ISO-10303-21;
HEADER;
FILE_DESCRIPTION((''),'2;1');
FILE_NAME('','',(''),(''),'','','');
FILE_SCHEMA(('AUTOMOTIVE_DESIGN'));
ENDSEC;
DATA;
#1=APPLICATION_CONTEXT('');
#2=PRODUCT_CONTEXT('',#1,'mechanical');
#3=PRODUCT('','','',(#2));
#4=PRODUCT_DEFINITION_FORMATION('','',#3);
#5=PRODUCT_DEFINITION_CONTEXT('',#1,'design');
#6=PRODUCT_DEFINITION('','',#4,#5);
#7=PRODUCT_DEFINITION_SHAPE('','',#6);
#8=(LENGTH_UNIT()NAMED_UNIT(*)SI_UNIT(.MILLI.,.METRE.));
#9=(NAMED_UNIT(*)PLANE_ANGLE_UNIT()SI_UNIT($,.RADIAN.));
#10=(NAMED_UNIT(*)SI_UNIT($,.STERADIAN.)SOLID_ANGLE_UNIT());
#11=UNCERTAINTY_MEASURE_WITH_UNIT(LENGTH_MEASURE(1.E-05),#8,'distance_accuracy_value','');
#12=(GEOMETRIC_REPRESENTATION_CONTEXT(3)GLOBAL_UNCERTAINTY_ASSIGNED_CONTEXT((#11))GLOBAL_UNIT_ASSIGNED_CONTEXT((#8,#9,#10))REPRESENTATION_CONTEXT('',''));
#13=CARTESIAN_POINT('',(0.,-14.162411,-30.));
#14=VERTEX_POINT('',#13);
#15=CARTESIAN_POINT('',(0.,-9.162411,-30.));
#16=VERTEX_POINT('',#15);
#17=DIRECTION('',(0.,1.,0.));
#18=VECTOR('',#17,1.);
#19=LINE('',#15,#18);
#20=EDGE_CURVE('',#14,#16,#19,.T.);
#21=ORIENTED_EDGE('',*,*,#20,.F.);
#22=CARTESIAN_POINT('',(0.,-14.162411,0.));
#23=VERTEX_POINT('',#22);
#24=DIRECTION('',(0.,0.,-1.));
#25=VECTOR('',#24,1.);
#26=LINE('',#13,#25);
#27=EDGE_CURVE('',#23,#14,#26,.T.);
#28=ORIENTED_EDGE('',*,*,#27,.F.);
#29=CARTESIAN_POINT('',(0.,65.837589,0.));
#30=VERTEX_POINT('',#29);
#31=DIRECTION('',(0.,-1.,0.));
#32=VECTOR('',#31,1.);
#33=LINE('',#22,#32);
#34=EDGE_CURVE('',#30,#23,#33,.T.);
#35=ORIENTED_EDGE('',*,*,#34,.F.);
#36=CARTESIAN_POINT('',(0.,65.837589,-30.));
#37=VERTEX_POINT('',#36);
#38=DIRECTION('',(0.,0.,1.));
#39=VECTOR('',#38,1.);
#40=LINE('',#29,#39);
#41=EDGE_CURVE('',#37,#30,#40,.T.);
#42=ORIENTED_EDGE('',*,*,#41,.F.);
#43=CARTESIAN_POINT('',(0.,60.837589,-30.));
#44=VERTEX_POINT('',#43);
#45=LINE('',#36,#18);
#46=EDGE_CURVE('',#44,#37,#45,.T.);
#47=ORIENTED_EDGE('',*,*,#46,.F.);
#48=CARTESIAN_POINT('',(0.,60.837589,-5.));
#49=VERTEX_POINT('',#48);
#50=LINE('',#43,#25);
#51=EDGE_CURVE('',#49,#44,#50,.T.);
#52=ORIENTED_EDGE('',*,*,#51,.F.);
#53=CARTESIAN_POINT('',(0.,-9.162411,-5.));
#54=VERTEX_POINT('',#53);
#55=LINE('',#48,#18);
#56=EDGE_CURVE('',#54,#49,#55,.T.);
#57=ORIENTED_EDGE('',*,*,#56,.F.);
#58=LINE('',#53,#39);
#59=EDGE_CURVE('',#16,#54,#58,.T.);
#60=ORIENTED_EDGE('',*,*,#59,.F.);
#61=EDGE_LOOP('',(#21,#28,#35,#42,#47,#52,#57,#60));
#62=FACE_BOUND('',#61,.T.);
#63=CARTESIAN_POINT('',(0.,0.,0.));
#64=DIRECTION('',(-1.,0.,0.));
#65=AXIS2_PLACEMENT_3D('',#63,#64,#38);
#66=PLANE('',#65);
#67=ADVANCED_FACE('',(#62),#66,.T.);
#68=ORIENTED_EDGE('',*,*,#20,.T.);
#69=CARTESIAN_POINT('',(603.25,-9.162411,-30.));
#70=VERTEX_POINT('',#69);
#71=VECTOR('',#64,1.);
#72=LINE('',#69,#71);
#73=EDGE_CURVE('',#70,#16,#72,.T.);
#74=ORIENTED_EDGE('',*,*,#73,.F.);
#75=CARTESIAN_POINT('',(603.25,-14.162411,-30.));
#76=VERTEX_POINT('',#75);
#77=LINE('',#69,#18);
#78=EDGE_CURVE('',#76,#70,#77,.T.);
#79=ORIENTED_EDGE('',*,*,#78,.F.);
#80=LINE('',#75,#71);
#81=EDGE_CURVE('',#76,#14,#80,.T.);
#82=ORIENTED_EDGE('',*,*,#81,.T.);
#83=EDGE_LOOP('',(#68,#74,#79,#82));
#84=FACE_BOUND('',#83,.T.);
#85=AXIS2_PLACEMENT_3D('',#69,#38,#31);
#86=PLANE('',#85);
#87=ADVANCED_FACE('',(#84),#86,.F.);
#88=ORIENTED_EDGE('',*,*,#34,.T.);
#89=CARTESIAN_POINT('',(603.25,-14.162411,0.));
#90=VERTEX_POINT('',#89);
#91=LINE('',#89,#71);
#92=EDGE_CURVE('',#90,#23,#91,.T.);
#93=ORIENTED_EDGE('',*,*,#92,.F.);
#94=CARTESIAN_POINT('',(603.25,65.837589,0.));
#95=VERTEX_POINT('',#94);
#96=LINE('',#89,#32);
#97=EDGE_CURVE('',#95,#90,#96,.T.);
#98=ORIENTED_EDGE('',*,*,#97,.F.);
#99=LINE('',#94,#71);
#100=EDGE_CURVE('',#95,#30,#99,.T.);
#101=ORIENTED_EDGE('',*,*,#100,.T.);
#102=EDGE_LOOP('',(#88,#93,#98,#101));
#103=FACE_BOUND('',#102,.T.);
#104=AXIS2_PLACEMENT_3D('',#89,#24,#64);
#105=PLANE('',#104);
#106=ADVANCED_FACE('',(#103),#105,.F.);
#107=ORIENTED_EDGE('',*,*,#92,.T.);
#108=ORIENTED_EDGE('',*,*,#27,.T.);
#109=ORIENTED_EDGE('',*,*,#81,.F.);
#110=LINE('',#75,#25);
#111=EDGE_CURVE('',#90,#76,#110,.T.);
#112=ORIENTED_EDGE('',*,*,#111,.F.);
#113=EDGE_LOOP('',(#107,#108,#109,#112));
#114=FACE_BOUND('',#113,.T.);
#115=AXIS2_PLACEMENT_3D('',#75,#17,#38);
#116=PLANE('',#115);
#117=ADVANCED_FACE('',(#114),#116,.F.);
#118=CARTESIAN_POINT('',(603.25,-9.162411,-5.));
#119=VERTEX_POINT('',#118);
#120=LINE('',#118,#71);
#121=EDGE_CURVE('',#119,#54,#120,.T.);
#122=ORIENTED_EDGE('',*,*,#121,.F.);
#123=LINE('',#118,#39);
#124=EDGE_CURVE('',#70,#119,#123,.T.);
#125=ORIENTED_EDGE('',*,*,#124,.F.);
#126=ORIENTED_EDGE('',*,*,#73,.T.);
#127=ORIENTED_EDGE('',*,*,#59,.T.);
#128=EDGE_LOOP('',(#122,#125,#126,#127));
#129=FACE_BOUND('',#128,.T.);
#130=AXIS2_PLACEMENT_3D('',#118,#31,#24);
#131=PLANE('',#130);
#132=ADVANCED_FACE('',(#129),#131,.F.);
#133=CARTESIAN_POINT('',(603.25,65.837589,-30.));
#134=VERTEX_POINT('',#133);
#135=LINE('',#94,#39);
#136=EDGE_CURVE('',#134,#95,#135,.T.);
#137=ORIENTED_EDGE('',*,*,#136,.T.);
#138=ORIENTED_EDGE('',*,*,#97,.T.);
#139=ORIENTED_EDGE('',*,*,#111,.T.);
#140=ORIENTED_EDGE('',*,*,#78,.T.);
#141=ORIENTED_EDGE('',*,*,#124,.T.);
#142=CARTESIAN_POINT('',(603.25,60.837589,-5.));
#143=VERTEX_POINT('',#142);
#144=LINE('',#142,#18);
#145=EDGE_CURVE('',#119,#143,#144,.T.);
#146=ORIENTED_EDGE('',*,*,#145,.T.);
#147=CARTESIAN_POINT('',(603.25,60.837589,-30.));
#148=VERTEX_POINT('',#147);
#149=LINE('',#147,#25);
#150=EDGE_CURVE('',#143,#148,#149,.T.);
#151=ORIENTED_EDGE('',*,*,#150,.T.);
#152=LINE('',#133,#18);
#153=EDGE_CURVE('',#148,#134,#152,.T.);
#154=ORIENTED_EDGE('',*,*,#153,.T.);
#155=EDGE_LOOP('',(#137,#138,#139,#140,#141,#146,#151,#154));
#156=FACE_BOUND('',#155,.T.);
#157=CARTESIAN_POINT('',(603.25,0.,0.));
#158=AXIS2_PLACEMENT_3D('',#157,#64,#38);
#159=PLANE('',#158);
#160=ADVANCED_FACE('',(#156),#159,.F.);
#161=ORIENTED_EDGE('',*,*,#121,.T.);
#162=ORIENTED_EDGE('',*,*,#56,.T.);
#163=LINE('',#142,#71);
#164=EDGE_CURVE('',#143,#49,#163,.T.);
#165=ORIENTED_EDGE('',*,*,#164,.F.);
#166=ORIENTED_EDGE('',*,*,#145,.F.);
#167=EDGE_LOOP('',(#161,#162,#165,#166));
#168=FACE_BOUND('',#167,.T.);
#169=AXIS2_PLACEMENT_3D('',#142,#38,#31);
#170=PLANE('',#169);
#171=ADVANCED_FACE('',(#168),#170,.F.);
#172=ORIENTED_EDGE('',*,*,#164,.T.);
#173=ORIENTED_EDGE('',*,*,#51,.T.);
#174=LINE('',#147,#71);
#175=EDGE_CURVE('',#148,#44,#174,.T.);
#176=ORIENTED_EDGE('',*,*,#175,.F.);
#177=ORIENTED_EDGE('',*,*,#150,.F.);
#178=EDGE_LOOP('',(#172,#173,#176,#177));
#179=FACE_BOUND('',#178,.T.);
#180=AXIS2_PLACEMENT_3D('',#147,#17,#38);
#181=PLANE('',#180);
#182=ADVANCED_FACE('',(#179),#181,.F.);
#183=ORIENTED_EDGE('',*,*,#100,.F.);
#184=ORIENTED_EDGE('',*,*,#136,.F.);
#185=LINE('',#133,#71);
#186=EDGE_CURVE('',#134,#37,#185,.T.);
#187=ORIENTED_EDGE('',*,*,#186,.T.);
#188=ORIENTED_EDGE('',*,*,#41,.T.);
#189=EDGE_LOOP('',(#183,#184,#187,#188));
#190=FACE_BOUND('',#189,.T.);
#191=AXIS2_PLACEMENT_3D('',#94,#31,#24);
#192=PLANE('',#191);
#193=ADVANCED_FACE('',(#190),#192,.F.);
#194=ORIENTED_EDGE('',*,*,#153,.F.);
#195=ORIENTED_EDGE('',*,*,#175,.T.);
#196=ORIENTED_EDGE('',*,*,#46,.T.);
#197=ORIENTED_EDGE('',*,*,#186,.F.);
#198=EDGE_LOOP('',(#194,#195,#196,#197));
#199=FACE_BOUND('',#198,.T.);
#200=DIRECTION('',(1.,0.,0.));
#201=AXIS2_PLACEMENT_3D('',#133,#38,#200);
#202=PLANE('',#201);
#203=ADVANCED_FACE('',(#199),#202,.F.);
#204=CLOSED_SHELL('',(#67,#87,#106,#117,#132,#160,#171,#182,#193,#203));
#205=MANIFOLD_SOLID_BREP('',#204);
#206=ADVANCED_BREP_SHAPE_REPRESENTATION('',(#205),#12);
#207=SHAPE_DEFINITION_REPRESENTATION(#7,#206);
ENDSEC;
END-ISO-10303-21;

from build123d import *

# Parameters (mm, degrees)
BOSS_EXTRUDE1_DEPTH = 603.25


with BuildPart() as part:
    # Sketch1 → Boss-Extrude1 (new body)
    with BuildSketch(Plane(origin=(0, 0, 0), x_dir=(0, 0, -1), z_dir=(1, 0, 0))):
        Polygon((0, 65.837588936), (30, 65.837588936), (30, 60.837588936), (5, 60.837588936), (5, -9.162411064), (30, -9.162411064), (30, -14.162411064), (0, -14.162411064), align=None)
    extrude(amount=BOSS_EXTRUDE1_DEPTH)


solid = part.part
